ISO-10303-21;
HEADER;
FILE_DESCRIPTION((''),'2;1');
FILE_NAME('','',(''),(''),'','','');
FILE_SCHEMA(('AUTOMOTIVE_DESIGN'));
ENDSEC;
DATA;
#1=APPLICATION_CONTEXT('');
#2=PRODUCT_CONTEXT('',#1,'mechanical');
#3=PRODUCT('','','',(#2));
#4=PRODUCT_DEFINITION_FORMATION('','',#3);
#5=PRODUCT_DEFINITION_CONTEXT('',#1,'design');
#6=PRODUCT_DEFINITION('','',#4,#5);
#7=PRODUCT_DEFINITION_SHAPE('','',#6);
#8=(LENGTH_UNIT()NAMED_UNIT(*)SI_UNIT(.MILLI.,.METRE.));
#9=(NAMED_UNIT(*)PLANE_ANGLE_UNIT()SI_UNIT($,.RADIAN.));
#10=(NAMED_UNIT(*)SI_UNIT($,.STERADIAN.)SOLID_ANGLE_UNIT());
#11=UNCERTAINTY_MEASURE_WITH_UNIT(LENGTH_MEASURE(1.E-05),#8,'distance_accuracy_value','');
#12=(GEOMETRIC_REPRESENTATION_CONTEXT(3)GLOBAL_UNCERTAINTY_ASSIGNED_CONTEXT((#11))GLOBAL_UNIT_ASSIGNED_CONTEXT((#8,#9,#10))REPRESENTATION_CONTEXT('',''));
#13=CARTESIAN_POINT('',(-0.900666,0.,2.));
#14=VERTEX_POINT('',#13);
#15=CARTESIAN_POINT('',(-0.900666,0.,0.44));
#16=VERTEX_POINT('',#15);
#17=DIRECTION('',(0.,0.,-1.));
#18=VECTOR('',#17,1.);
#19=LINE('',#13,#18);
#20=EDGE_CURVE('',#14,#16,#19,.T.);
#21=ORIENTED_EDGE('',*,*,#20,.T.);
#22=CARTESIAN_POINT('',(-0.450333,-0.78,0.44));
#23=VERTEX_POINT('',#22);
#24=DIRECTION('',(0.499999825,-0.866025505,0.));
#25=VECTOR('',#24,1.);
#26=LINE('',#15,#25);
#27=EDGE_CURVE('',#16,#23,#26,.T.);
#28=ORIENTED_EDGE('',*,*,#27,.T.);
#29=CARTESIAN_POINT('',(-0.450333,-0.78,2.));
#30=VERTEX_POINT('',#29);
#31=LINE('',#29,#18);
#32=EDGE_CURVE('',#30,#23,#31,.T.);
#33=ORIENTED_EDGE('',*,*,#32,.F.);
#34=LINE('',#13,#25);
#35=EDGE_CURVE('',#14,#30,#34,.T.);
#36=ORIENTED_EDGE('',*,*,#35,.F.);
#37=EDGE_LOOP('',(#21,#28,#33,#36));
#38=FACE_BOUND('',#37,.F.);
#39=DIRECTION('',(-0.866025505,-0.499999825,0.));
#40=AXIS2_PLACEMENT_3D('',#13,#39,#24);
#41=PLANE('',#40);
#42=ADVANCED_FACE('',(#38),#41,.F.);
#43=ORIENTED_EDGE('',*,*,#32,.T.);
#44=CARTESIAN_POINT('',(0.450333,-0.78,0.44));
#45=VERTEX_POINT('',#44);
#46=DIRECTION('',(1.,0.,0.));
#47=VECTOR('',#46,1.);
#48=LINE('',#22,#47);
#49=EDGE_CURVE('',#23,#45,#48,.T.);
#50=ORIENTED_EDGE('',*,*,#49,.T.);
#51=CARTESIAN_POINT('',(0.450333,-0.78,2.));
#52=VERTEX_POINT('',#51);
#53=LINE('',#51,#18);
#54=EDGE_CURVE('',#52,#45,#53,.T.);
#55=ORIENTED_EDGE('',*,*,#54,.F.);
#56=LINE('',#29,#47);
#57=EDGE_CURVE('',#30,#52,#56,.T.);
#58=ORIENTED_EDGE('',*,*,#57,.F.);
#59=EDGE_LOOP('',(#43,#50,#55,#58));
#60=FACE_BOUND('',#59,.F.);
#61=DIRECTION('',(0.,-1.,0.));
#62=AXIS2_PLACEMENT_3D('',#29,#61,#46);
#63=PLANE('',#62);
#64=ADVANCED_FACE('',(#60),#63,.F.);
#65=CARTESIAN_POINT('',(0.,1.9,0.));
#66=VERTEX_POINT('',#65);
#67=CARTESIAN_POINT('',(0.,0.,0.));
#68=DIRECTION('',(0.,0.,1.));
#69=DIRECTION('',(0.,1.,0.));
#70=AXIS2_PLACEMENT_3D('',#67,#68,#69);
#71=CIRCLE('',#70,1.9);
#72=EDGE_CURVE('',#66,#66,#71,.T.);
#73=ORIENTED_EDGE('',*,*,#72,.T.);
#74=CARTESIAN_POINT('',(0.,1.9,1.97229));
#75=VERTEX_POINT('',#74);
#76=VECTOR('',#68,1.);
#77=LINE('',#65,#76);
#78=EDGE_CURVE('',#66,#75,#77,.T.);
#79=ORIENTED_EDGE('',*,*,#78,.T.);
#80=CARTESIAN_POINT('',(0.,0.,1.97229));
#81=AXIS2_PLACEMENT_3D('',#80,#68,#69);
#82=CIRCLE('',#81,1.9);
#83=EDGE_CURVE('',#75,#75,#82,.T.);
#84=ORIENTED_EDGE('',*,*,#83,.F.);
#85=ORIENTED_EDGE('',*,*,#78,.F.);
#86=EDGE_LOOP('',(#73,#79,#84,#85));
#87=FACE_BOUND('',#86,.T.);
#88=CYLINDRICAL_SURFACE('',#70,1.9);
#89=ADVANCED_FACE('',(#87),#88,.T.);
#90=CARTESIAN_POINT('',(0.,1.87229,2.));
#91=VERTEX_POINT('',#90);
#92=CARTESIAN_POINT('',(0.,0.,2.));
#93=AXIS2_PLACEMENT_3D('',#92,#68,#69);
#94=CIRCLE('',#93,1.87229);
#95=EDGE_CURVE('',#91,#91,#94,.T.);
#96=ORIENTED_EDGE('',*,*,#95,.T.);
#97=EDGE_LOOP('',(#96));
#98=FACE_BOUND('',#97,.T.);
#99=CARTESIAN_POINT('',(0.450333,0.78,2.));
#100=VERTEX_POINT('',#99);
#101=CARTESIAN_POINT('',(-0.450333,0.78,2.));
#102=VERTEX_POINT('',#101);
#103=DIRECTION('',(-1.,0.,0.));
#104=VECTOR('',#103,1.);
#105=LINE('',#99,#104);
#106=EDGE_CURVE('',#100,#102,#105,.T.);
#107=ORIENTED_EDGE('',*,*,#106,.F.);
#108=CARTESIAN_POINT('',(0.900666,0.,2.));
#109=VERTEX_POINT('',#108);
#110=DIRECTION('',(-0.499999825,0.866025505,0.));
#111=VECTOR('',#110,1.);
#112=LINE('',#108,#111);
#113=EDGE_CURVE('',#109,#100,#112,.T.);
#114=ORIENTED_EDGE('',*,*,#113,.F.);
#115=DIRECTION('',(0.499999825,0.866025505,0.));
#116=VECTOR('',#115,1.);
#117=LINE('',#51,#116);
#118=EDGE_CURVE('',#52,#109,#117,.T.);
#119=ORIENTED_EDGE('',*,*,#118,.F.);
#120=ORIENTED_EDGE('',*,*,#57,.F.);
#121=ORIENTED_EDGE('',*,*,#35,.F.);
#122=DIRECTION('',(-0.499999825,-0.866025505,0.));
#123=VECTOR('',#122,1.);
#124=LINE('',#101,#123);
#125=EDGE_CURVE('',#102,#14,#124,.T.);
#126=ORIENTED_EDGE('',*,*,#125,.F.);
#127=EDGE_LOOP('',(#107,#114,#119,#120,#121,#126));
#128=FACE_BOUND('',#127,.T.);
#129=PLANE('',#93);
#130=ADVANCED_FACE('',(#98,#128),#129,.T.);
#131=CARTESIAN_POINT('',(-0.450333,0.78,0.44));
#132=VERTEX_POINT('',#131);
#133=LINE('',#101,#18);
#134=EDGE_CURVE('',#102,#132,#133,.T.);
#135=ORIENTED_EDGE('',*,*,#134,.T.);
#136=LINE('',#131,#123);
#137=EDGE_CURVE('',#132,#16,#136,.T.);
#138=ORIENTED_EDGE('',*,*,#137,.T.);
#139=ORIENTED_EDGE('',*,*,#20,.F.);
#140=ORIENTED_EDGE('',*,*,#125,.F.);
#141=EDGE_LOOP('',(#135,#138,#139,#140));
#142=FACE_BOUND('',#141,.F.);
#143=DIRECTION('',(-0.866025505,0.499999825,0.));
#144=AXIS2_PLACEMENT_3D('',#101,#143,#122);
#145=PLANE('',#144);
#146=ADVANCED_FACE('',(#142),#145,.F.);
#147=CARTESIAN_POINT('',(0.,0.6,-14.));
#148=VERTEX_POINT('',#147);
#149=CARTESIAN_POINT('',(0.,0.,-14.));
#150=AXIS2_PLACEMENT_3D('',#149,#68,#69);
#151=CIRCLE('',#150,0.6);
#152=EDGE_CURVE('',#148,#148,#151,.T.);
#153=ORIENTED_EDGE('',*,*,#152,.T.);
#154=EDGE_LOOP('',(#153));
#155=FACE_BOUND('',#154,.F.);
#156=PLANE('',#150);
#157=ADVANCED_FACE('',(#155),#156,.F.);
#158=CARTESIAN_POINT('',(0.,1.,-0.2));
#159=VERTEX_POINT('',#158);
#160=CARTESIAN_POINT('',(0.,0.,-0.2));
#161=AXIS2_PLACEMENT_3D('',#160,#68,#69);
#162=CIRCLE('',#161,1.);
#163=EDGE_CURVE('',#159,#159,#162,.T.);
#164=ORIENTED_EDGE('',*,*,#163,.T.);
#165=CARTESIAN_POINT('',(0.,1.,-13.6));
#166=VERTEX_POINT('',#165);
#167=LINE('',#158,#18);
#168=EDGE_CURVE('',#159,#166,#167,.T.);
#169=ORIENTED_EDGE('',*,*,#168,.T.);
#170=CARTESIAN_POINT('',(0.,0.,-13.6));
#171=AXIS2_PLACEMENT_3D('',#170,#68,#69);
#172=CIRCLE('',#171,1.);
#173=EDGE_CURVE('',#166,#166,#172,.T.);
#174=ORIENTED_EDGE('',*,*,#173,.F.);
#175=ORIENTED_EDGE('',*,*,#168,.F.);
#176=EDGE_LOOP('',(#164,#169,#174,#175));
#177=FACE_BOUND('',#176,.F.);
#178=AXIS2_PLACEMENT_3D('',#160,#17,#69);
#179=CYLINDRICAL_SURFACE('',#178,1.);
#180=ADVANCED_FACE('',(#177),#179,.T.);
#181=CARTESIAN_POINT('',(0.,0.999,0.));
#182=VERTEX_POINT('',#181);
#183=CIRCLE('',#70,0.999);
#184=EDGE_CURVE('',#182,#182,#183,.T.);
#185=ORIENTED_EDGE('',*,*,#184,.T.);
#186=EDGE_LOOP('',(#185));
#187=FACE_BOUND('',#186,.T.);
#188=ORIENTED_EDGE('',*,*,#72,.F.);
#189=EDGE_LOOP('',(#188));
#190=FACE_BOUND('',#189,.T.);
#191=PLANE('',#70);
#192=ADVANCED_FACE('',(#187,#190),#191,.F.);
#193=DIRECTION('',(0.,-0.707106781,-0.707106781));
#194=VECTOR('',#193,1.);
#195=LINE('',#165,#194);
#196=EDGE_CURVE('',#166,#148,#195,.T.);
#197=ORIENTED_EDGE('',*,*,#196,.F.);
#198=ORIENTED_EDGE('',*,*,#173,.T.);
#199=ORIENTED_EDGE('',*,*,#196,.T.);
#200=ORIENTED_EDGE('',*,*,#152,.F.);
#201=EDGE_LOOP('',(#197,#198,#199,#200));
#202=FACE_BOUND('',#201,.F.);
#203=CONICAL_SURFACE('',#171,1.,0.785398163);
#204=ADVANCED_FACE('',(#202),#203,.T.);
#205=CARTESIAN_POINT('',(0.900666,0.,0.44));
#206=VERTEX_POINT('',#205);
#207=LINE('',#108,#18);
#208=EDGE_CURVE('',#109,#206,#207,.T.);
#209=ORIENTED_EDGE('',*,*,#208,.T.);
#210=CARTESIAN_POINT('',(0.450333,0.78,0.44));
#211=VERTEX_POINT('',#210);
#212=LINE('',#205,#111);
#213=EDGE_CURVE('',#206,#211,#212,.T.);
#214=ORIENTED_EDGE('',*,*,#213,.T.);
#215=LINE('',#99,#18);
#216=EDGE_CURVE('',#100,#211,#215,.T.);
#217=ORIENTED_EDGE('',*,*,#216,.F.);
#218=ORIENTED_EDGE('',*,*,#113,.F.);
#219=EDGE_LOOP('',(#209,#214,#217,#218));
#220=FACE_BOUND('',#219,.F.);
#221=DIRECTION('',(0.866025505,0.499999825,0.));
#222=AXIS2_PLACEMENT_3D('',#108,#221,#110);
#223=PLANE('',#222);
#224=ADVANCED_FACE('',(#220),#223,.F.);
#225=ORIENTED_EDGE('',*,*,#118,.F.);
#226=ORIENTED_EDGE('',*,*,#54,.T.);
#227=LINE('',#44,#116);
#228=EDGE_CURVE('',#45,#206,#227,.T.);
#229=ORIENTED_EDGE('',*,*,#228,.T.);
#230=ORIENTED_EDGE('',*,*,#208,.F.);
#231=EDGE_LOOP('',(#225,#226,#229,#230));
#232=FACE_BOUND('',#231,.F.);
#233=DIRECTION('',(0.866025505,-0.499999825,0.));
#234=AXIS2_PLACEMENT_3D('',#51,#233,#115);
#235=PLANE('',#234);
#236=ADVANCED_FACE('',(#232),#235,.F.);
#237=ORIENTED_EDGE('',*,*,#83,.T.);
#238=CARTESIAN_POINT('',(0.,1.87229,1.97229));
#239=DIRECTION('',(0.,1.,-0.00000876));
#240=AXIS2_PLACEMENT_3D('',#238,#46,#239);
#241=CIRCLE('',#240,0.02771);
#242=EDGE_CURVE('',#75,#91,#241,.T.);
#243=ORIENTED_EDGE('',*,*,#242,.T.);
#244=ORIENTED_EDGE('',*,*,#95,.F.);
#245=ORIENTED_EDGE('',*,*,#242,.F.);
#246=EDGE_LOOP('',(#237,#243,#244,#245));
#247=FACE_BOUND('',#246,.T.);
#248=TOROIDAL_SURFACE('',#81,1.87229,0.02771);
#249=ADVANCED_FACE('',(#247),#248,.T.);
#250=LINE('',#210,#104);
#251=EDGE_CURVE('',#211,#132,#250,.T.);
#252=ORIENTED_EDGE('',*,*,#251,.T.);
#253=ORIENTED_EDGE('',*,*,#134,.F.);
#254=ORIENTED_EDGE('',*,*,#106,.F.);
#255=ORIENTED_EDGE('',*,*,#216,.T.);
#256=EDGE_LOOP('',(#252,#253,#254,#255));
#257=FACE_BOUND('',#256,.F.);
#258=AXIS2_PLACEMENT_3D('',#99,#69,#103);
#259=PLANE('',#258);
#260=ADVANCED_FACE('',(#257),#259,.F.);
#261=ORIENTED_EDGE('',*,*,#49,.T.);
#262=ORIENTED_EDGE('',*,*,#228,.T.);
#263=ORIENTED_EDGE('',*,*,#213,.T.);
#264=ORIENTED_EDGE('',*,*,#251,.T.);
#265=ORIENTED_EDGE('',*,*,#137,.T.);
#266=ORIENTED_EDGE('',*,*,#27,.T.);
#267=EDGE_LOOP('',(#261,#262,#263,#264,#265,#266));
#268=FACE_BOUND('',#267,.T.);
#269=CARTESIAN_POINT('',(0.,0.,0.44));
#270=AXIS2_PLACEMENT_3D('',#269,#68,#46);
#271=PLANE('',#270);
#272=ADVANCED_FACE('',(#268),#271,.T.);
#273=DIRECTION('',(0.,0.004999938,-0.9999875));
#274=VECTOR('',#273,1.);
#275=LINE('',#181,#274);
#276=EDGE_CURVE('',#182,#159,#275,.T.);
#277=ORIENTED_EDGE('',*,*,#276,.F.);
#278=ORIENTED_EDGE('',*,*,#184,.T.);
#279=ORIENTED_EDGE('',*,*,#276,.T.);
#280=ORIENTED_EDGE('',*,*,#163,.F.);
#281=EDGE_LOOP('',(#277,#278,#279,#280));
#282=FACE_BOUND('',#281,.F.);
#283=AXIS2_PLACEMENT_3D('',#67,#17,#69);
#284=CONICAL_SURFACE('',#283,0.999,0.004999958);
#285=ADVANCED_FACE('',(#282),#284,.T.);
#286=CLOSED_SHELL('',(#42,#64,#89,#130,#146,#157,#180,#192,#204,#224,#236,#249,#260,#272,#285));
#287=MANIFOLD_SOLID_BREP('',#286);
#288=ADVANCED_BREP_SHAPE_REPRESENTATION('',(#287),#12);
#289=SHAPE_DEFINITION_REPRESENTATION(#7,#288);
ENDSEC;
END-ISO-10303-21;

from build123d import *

# Parameters (mm, degrees)
POCKET_DEPTH = 1.56


with BuildPart() as part:
    # Sketch → Revolve (revolve)
    with BuildSketch(Plane.YZ):
        with BuildLine():
            Line((0.999, 0), (1.9, 0))
            Line((1.9, 0), (1.9, 1.97229))
            ThreePointArc((1.9, 1.97229), (1.891884, 1.991884), (1.87229, 2))
            Line((1.87229, 2), (0, 2))
            Line((0, -14), (0, 2))
            Line((0.6, -14), (0, -14))
            Line((1, -13.6), (0.6, -14))
            Line((1, -0.2), (1, -13.6))
            Line((0.999, 0), (1, -0.2))
        make_face()
    revolve(axis=Axis((0, 0, 0), (0, 0, 1)))

    # Sketch001 → Pocket (cut)
    with BuildSketch(Plane.XY.offset(2)):
        Polygon((0.900666, 0), (0.450333, 0.78), (-0.450333, 0.78), (-0.900666, 0), (-0.450333, -0.78), (0.450333, -0.78), align=None)
    extrude(amount=-POCKET_DEPTH, mode=Mode.SUBTRACT)


solid = part.part
